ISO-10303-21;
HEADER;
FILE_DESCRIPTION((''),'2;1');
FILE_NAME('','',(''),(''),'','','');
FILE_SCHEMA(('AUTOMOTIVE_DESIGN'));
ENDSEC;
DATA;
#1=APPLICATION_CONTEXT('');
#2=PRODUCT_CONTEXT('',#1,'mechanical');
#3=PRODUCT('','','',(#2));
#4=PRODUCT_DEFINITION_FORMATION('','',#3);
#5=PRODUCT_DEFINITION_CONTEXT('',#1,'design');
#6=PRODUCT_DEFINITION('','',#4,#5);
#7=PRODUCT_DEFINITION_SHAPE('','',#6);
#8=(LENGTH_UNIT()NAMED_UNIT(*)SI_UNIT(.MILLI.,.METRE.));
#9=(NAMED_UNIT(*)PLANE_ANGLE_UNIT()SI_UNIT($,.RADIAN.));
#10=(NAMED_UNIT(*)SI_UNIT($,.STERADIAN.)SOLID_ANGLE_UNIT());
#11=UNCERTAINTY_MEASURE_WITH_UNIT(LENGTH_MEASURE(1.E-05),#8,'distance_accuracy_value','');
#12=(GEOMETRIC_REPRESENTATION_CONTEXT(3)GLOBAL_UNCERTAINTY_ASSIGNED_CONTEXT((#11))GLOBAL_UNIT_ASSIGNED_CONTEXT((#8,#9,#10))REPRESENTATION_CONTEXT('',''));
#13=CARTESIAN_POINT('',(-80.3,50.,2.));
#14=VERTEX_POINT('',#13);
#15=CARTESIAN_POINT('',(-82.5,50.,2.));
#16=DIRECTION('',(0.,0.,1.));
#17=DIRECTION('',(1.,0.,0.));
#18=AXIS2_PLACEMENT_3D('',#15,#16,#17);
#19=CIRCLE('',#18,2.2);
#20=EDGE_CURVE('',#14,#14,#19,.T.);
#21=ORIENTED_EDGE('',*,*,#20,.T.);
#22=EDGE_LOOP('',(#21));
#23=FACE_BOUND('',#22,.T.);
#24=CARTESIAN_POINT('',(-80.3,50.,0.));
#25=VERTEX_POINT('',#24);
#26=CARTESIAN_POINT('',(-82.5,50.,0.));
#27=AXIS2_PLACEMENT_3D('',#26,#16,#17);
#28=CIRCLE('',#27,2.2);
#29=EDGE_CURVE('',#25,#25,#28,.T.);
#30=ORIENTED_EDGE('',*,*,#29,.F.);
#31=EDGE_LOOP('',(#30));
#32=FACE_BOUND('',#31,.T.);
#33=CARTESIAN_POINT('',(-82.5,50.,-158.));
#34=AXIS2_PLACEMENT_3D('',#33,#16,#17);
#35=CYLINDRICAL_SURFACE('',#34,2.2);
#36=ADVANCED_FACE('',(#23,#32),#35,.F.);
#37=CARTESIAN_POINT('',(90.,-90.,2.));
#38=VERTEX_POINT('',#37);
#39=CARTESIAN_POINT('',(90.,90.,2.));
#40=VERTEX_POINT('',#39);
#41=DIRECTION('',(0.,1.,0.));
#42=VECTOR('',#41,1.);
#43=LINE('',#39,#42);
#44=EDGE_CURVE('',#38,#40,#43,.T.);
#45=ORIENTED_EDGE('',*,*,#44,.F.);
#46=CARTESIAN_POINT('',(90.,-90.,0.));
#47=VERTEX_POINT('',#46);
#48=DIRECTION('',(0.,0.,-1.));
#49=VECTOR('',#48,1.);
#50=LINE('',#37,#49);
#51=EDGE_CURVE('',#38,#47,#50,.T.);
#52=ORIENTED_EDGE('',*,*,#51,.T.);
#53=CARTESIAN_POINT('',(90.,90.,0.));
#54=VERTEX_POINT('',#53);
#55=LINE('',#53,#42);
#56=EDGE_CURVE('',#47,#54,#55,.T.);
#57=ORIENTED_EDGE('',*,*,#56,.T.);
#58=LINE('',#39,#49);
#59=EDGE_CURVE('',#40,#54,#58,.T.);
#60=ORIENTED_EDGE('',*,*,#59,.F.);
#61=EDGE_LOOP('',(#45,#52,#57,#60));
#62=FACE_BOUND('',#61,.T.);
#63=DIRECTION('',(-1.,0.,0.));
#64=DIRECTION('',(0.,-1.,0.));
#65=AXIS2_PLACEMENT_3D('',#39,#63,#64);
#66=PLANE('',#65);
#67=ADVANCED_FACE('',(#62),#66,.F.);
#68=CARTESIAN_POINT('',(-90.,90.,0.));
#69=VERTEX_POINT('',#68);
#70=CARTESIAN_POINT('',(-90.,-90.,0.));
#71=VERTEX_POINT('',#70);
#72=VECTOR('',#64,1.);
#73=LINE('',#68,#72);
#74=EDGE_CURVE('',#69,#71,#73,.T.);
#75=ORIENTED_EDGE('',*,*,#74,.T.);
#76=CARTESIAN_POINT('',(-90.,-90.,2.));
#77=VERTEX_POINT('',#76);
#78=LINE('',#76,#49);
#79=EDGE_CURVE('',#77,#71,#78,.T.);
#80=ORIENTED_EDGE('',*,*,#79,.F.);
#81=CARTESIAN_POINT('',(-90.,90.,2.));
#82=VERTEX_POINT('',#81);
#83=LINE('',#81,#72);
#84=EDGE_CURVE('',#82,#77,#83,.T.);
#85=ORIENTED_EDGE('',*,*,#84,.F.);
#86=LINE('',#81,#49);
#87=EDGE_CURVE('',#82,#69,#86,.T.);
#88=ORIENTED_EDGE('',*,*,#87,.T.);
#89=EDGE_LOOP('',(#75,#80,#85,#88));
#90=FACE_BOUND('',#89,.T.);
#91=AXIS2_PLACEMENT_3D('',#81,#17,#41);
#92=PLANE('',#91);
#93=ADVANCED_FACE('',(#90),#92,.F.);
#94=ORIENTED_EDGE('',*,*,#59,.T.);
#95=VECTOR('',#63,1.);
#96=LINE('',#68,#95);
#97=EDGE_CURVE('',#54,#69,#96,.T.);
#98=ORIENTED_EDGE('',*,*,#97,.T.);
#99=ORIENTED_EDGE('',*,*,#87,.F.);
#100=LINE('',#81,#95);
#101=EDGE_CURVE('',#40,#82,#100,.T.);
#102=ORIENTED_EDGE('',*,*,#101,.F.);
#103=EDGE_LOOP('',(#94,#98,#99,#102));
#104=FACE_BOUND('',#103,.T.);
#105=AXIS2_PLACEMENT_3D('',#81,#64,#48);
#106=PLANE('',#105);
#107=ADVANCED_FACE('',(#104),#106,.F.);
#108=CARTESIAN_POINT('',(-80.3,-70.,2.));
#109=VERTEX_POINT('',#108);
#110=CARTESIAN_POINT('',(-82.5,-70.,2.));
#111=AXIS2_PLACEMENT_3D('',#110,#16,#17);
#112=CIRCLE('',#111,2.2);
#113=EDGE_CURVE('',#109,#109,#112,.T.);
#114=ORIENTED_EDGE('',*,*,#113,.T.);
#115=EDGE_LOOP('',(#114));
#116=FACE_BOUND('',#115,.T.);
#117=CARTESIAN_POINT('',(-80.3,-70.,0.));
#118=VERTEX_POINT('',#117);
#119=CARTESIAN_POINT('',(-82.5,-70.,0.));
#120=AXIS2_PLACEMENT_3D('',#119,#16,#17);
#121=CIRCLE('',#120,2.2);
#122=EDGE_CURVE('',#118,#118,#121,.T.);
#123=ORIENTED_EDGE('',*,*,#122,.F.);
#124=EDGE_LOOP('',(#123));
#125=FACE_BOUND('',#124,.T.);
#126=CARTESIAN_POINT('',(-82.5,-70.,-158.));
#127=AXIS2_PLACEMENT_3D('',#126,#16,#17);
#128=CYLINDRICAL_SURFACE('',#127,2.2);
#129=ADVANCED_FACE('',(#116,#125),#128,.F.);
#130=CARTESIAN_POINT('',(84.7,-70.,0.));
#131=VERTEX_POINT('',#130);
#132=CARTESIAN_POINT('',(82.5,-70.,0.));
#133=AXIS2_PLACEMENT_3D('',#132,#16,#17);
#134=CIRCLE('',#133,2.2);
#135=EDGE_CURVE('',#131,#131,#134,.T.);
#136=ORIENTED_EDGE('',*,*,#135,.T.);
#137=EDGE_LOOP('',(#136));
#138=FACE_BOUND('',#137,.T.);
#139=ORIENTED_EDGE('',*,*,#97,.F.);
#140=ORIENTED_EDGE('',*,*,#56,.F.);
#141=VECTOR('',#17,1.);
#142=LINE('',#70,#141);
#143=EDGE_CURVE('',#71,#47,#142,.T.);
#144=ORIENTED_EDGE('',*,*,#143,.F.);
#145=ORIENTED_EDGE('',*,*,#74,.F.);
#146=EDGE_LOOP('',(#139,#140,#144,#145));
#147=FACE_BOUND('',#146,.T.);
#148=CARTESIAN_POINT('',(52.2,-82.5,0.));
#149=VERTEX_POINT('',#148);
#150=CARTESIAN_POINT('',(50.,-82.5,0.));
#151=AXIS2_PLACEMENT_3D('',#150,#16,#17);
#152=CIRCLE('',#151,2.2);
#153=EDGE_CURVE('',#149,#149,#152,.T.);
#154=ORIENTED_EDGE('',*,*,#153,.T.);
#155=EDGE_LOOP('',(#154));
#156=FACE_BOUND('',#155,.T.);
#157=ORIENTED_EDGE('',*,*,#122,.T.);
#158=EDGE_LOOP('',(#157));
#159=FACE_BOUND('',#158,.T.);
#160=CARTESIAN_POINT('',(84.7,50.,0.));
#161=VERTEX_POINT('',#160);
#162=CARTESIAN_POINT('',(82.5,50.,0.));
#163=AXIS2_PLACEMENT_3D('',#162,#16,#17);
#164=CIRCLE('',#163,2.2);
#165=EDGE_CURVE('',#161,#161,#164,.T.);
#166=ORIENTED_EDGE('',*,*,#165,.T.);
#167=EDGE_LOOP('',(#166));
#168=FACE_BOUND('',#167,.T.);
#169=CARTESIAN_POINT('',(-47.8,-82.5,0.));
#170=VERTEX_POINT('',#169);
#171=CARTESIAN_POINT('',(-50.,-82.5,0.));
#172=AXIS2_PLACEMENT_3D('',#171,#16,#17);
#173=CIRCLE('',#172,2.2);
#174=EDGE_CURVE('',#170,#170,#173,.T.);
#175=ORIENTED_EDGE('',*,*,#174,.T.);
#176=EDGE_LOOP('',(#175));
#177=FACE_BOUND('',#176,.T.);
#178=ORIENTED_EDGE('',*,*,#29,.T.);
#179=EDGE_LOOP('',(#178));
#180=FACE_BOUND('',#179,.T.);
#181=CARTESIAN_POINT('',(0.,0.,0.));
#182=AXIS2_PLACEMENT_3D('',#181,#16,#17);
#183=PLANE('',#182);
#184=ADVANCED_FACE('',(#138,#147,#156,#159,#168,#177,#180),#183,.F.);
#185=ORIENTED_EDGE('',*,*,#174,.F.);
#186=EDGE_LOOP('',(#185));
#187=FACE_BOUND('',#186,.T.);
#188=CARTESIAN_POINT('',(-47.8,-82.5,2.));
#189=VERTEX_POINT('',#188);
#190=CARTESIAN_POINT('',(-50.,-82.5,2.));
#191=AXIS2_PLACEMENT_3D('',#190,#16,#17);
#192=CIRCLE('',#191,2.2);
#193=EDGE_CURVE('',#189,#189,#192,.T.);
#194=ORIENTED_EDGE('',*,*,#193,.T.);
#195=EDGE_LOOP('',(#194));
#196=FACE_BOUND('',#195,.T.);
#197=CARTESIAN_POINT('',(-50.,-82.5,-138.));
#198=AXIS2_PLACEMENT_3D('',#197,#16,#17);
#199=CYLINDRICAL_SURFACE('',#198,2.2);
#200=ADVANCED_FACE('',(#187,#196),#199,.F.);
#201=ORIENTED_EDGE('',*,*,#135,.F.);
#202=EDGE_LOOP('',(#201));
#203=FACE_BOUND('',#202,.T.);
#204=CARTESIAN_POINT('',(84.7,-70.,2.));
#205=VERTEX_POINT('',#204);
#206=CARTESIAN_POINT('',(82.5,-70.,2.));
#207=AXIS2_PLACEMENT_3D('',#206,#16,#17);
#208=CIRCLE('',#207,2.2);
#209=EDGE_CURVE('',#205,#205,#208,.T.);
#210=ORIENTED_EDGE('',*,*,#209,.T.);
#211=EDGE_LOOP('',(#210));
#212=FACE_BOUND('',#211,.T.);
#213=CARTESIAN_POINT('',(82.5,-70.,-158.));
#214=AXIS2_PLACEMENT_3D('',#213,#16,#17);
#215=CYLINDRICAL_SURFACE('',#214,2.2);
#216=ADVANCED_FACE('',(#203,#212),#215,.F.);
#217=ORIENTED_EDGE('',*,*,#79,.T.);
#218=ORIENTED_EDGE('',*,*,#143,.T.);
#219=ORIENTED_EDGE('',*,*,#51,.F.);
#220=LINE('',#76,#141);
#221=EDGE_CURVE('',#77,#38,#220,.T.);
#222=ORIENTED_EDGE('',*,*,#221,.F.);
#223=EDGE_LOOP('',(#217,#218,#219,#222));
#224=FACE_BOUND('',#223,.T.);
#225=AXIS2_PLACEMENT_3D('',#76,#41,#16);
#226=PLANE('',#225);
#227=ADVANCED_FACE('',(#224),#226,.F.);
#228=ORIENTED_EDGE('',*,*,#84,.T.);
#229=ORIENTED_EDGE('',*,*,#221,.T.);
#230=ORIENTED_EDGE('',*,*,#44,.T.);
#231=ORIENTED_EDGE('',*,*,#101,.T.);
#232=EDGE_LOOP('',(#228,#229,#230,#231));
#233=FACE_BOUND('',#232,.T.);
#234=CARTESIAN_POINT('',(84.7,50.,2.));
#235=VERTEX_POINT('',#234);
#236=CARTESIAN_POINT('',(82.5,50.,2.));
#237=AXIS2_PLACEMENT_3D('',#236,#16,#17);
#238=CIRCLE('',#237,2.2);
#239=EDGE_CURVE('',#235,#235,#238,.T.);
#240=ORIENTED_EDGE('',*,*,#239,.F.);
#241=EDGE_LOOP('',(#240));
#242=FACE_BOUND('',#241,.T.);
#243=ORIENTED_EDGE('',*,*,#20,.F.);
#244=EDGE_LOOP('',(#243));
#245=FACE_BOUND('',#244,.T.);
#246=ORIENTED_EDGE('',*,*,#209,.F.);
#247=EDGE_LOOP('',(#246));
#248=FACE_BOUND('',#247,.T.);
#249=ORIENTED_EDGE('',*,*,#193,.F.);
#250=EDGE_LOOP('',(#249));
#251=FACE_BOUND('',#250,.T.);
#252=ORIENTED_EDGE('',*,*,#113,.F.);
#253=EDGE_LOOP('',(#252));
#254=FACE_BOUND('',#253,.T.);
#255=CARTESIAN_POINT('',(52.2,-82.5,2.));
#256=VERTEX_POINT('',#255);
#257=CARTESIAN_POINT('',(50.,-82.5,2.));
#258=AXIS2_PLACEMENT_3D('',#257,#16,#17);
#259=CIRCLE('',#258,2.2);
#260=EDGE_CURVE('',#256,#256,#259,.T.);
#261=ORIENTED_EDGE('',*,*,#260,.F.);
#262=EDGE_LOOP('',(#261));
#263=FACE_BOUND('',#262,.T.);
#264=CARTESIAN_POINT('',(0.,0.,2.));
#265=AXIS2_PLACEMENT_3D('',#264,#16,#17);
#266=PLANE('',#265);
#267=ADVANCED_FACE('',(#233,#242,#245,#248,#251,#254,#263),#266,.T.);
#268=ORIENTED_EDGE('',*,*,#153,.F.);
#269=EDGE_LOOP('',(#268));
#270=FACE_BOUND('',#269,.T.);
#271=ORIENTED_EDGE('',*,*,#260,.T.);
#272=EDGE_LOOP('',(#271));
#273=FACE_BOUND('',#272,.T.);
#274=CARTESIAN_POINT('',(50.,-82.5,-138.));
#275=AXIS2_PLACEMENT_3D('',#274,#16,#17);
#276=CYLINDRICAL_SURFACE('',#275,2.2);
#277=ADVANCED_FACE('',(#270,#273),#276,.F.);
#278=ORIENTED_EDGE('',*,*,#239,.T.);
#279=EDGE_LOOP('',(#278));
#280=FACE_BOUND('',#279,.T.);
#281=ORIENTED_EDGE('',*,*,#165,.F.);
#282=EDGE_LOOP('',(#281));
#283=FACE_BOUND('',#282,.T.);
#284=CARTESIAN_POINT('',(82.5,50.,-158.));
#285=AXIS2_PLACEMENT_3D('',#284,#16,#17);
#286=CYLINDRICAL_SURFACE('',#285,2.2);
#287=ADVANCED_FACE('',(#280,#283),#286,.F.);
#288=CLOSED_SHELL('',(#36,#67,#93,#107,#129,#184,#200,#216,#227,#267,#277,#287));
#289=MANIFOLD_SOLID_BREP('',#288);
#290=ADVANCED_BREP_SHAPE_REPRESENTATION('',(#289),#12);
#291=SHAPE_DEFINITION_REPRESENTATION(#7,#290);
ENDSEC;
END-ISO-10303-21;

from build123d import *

# Parameters (mm, degrees)
SKETCH_1_W          = 180
SKETCH_1_H          = 180
EXTRUDE_1_DEPTH     = 2
CUT_EXTRUDE_1_DEPTH = 140
SKETCH_3_R          = 2.2
CUT_EXTRUDE_2_DEPTH = 160


with BuildPart() as part:
    # ｽｹｯﾁ1 → ﾎﾞｽ - 押し出し1 (new body)
    with BuildSketch(Plane.XY):
        Rectangle(SKETCH_1_W, SKETCH_1_H)
    extrude(amount=EXTRUDE_1_DEPTH)

    # ｽｹｯﾁ2 → ｶｯﾄ - 押し出し1 (cut)
    with BuildSketch(Plane.XY.offset(2)):
        with BuildLine():
            ThreePointArc((-52.2, -82.5), (-51.555634919, -84.055634919), (-50, -84.7))
            Line((-50, -84.7), (-50, -82.5))
            Line((-50, -82.5), (-52.2, -82.5))
        make_face()
        with BuildLine():
            Line((-50, -82.5), (-50, -84.7))
            ThreePointArc((-50, -84.7), (-48.444365081, -84.055634919), (-47.8, -82.5))
            ThreePointArc((-47.8, -82.5), (-50, -80.3), (-52.2, -82.5))
            Line((-52.2, -82.5), (-50, -82.5))
        make_face()
        with BuildLine():
            ThreePointArc((52.2, -82.5), (48.444365081, -80.944365081), (50, -84.7))
            Line((50, -84.7), (50, -82.5))
            Line((50, -82.5), (52.2, -82.5))
        make_face()
        with BuildLine():
            Line((50, -82.5), (50, -84.7))
            ThreePointArc((50, -84.7), (51.555634919, -84.055634919), (52.2, -82.5))
            Line((52.2, -82.5), (50, -82.5))
        make_face()
    extrude(amount=-CUT_EXTRUDE_1_DEPTH, mode=Mode.SUBTRACT)

    # ｽｹｯﾁ3 → ｶｯﾄ - 押し出し2 (cut)
    with BuildSketch(Plane.XY.offset(2)):
        with Locations((-82.5, 50)):
            Circle(SKETCH_3_R)
        with Locations((82.5, 50)):
            Circle(SKETCH_3_R)
        with Locations((82.5, -70)):
            Circle(SKETCH_3_R)
        with Locations((-82.5, -70)):
            Circle(SKETCH_3_R)
    extrude(amount=-CUT_EXTRUDE_2_DEPTH, mode=Mode.SUBTRACT)


solid = part.part
